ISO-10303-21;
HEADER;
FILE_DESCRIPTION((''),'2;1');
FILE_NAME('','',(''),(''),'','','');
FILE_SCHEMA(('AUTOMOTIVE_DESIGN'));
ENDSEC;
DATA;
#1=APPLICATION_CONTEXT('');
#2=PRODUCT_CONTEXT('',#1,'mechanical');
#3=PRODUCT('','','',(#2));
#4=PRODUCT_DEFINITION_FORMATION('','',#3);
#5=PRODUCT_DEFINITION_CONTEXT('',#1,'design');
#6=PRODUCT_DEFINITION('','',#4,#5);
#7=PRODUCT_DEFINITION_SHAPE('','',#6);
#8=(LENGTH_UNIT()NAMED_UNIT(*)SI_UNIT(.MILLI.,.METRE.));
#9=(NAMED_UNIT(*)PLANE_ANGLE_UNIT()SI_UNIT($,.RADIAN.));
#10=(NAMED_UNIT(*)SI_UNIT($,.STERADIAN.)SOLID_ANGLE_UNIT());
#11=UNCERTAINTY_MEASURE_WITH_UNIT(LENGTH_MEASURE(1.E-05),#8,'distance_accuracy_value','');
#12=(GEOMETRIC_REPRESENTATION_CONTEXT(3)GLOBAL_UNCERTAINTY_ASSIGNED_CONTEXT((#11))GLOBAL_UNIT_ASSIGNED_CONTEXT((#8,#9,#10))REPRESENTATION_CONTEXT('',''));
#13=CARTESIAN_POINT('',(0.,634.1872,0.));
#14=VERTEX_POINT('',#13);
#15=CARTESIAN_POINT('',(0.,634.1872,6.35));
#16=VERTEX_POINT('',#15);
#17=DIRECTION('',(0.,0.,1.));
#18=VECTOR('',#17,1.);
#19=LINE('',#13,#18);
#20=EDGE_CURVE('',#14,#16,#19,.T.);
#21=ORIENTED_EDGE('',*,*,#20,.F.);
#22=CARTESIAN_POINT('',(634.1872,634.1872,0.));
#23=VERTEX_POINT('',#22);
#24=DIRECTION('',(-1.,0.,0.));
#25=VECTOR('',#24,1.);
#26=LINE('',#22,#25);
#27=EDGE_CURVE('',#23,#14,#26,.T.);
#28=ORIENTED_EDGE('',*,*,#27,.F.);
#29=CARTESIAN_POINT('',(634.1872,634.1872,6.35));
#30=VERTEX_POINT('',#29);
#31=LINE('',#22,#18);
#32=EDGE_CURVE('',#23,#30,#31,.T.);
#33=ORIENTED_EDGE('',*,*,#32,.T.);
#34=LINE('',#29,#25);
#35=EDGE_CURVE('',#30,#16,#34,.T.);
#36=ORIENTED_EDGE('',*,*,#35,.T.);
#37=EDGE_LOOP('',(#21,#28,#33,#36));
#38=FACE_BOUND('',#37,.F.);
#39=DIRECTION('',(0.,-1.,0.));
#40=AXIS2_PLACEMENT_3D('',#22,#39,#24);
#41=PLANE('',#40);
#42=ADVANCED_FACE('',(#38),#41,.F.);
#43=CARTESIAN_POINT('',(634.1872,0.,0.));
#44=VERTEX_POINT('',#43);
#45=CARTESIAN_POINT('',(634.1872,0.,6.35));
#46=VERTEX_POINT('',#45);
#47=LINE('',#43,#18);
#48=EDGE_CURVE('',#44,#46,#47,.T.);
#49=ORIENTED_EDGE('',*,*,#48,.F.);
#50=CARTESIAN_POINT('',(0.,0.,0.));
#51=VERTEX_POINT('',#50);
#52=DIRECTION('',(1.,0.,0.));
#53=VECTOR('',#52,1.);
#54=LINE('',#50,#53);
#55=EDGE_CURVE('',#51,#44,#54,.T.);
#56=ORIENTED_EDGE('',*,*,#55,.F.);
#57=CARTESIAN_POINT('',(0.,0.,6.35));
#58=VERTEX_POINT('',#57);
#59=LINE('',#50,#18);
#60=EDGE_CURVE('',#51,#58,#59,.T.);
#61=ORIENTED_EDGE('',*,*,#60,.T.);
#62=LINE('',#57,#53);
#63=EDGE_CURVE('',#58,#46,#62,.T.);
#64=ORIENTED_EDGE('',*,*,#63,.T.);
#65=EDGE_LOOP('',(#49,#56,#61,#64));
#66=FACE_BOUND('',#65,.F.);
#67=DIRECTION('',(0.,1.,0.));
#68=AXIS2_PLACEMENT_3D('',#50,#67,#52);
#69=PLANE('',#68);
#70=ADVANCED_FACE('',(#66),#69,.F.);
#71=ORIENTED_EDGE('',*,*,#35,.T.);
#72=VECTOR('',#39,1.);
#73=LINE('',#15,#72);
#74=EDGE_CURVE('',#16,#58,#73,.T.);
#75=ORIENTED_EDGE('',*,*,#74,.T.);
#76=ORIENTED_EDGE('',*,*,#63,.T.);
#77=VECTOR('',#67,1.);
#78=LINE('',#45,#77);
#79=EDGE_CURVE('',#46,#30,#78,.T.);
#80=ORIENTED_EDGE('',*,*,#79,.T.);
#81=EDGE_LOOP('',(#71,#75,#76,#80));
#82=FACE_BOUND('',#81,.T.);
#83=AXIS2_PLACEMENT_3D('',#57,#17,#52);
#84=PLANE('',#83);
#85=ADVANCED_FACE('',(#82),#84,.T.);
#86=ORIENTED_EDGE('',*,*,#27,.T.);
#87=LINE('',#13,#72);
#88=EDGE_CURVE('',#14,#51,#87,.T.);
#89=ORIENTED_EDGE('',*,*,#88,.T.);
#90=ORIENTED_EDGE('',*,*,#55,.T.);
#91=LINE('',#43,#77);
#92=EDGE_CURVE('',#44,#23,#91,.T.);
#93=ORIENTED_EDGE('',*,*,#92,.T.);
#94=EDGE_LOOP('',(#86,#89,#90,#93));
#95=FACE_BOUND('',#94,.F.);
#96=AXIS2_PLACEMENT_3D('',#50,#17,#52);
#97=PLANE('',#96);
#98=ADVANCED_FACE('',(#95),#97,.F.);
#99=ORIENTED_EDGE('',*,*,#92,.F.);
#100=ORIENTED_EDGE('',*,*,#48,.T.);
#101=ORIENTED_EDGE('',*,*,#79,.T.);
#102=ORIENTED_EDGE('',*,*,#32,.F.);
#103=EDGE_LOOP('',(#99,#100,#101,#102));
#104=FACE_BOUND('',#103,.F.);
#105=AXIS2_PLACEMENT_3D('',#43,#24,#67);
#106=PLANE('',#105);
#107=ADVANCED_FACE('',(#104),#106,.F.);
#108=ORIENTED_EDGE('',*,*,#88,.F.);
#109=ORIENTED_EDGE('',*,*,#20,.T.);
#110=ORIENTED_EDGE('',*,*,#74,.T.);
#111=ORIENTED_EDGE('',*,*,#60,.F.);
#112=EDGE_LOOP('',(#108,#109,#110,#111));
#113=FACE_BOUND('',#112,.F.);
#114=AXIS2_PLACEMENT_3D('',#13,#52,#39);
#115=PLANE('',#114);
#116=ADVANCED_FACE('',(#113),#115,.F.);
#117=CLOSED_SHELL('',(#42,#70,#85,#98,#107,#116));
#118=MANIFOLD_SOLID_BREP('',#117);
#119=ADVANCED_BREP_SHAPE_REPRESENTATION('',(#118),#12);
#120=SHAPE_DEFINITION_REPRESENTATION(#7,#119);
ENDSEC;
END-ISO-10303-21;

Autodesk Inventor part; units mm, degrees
ref_plane "YZ Plane" through (0, 0, 0) normal (1, 0, 0) x (0, 1, 0)
ref_plane "XZ Plane" through (0, 0, 0) normal (0, 1, 0) x (-1, 0, 0)
ref_plane "XY Plane" through (0, 0, 0) normal (0, 0, 1) x (1, 0, 0)
sketch "Sketch1" plane through (0, 0, 0) normal (0, 0, 1) x (1, 0, 0)
  line L0 (0, 0) -> (634.1872, 0)
  line L1 (634.1872, 0) -> (634.1872, 634.1872)
  line L2 (634.1872, 634.1872) -> (0, 634.1872)
  line L3 (0, 634.1872) -> (0, 0)
  dimension "d0" = 634.1872
  dimension "d1" = 634.1872
extrude "Extrusion1" add sketch "Sketch1" along normal blind 6.35
properties part number "splash guard"
